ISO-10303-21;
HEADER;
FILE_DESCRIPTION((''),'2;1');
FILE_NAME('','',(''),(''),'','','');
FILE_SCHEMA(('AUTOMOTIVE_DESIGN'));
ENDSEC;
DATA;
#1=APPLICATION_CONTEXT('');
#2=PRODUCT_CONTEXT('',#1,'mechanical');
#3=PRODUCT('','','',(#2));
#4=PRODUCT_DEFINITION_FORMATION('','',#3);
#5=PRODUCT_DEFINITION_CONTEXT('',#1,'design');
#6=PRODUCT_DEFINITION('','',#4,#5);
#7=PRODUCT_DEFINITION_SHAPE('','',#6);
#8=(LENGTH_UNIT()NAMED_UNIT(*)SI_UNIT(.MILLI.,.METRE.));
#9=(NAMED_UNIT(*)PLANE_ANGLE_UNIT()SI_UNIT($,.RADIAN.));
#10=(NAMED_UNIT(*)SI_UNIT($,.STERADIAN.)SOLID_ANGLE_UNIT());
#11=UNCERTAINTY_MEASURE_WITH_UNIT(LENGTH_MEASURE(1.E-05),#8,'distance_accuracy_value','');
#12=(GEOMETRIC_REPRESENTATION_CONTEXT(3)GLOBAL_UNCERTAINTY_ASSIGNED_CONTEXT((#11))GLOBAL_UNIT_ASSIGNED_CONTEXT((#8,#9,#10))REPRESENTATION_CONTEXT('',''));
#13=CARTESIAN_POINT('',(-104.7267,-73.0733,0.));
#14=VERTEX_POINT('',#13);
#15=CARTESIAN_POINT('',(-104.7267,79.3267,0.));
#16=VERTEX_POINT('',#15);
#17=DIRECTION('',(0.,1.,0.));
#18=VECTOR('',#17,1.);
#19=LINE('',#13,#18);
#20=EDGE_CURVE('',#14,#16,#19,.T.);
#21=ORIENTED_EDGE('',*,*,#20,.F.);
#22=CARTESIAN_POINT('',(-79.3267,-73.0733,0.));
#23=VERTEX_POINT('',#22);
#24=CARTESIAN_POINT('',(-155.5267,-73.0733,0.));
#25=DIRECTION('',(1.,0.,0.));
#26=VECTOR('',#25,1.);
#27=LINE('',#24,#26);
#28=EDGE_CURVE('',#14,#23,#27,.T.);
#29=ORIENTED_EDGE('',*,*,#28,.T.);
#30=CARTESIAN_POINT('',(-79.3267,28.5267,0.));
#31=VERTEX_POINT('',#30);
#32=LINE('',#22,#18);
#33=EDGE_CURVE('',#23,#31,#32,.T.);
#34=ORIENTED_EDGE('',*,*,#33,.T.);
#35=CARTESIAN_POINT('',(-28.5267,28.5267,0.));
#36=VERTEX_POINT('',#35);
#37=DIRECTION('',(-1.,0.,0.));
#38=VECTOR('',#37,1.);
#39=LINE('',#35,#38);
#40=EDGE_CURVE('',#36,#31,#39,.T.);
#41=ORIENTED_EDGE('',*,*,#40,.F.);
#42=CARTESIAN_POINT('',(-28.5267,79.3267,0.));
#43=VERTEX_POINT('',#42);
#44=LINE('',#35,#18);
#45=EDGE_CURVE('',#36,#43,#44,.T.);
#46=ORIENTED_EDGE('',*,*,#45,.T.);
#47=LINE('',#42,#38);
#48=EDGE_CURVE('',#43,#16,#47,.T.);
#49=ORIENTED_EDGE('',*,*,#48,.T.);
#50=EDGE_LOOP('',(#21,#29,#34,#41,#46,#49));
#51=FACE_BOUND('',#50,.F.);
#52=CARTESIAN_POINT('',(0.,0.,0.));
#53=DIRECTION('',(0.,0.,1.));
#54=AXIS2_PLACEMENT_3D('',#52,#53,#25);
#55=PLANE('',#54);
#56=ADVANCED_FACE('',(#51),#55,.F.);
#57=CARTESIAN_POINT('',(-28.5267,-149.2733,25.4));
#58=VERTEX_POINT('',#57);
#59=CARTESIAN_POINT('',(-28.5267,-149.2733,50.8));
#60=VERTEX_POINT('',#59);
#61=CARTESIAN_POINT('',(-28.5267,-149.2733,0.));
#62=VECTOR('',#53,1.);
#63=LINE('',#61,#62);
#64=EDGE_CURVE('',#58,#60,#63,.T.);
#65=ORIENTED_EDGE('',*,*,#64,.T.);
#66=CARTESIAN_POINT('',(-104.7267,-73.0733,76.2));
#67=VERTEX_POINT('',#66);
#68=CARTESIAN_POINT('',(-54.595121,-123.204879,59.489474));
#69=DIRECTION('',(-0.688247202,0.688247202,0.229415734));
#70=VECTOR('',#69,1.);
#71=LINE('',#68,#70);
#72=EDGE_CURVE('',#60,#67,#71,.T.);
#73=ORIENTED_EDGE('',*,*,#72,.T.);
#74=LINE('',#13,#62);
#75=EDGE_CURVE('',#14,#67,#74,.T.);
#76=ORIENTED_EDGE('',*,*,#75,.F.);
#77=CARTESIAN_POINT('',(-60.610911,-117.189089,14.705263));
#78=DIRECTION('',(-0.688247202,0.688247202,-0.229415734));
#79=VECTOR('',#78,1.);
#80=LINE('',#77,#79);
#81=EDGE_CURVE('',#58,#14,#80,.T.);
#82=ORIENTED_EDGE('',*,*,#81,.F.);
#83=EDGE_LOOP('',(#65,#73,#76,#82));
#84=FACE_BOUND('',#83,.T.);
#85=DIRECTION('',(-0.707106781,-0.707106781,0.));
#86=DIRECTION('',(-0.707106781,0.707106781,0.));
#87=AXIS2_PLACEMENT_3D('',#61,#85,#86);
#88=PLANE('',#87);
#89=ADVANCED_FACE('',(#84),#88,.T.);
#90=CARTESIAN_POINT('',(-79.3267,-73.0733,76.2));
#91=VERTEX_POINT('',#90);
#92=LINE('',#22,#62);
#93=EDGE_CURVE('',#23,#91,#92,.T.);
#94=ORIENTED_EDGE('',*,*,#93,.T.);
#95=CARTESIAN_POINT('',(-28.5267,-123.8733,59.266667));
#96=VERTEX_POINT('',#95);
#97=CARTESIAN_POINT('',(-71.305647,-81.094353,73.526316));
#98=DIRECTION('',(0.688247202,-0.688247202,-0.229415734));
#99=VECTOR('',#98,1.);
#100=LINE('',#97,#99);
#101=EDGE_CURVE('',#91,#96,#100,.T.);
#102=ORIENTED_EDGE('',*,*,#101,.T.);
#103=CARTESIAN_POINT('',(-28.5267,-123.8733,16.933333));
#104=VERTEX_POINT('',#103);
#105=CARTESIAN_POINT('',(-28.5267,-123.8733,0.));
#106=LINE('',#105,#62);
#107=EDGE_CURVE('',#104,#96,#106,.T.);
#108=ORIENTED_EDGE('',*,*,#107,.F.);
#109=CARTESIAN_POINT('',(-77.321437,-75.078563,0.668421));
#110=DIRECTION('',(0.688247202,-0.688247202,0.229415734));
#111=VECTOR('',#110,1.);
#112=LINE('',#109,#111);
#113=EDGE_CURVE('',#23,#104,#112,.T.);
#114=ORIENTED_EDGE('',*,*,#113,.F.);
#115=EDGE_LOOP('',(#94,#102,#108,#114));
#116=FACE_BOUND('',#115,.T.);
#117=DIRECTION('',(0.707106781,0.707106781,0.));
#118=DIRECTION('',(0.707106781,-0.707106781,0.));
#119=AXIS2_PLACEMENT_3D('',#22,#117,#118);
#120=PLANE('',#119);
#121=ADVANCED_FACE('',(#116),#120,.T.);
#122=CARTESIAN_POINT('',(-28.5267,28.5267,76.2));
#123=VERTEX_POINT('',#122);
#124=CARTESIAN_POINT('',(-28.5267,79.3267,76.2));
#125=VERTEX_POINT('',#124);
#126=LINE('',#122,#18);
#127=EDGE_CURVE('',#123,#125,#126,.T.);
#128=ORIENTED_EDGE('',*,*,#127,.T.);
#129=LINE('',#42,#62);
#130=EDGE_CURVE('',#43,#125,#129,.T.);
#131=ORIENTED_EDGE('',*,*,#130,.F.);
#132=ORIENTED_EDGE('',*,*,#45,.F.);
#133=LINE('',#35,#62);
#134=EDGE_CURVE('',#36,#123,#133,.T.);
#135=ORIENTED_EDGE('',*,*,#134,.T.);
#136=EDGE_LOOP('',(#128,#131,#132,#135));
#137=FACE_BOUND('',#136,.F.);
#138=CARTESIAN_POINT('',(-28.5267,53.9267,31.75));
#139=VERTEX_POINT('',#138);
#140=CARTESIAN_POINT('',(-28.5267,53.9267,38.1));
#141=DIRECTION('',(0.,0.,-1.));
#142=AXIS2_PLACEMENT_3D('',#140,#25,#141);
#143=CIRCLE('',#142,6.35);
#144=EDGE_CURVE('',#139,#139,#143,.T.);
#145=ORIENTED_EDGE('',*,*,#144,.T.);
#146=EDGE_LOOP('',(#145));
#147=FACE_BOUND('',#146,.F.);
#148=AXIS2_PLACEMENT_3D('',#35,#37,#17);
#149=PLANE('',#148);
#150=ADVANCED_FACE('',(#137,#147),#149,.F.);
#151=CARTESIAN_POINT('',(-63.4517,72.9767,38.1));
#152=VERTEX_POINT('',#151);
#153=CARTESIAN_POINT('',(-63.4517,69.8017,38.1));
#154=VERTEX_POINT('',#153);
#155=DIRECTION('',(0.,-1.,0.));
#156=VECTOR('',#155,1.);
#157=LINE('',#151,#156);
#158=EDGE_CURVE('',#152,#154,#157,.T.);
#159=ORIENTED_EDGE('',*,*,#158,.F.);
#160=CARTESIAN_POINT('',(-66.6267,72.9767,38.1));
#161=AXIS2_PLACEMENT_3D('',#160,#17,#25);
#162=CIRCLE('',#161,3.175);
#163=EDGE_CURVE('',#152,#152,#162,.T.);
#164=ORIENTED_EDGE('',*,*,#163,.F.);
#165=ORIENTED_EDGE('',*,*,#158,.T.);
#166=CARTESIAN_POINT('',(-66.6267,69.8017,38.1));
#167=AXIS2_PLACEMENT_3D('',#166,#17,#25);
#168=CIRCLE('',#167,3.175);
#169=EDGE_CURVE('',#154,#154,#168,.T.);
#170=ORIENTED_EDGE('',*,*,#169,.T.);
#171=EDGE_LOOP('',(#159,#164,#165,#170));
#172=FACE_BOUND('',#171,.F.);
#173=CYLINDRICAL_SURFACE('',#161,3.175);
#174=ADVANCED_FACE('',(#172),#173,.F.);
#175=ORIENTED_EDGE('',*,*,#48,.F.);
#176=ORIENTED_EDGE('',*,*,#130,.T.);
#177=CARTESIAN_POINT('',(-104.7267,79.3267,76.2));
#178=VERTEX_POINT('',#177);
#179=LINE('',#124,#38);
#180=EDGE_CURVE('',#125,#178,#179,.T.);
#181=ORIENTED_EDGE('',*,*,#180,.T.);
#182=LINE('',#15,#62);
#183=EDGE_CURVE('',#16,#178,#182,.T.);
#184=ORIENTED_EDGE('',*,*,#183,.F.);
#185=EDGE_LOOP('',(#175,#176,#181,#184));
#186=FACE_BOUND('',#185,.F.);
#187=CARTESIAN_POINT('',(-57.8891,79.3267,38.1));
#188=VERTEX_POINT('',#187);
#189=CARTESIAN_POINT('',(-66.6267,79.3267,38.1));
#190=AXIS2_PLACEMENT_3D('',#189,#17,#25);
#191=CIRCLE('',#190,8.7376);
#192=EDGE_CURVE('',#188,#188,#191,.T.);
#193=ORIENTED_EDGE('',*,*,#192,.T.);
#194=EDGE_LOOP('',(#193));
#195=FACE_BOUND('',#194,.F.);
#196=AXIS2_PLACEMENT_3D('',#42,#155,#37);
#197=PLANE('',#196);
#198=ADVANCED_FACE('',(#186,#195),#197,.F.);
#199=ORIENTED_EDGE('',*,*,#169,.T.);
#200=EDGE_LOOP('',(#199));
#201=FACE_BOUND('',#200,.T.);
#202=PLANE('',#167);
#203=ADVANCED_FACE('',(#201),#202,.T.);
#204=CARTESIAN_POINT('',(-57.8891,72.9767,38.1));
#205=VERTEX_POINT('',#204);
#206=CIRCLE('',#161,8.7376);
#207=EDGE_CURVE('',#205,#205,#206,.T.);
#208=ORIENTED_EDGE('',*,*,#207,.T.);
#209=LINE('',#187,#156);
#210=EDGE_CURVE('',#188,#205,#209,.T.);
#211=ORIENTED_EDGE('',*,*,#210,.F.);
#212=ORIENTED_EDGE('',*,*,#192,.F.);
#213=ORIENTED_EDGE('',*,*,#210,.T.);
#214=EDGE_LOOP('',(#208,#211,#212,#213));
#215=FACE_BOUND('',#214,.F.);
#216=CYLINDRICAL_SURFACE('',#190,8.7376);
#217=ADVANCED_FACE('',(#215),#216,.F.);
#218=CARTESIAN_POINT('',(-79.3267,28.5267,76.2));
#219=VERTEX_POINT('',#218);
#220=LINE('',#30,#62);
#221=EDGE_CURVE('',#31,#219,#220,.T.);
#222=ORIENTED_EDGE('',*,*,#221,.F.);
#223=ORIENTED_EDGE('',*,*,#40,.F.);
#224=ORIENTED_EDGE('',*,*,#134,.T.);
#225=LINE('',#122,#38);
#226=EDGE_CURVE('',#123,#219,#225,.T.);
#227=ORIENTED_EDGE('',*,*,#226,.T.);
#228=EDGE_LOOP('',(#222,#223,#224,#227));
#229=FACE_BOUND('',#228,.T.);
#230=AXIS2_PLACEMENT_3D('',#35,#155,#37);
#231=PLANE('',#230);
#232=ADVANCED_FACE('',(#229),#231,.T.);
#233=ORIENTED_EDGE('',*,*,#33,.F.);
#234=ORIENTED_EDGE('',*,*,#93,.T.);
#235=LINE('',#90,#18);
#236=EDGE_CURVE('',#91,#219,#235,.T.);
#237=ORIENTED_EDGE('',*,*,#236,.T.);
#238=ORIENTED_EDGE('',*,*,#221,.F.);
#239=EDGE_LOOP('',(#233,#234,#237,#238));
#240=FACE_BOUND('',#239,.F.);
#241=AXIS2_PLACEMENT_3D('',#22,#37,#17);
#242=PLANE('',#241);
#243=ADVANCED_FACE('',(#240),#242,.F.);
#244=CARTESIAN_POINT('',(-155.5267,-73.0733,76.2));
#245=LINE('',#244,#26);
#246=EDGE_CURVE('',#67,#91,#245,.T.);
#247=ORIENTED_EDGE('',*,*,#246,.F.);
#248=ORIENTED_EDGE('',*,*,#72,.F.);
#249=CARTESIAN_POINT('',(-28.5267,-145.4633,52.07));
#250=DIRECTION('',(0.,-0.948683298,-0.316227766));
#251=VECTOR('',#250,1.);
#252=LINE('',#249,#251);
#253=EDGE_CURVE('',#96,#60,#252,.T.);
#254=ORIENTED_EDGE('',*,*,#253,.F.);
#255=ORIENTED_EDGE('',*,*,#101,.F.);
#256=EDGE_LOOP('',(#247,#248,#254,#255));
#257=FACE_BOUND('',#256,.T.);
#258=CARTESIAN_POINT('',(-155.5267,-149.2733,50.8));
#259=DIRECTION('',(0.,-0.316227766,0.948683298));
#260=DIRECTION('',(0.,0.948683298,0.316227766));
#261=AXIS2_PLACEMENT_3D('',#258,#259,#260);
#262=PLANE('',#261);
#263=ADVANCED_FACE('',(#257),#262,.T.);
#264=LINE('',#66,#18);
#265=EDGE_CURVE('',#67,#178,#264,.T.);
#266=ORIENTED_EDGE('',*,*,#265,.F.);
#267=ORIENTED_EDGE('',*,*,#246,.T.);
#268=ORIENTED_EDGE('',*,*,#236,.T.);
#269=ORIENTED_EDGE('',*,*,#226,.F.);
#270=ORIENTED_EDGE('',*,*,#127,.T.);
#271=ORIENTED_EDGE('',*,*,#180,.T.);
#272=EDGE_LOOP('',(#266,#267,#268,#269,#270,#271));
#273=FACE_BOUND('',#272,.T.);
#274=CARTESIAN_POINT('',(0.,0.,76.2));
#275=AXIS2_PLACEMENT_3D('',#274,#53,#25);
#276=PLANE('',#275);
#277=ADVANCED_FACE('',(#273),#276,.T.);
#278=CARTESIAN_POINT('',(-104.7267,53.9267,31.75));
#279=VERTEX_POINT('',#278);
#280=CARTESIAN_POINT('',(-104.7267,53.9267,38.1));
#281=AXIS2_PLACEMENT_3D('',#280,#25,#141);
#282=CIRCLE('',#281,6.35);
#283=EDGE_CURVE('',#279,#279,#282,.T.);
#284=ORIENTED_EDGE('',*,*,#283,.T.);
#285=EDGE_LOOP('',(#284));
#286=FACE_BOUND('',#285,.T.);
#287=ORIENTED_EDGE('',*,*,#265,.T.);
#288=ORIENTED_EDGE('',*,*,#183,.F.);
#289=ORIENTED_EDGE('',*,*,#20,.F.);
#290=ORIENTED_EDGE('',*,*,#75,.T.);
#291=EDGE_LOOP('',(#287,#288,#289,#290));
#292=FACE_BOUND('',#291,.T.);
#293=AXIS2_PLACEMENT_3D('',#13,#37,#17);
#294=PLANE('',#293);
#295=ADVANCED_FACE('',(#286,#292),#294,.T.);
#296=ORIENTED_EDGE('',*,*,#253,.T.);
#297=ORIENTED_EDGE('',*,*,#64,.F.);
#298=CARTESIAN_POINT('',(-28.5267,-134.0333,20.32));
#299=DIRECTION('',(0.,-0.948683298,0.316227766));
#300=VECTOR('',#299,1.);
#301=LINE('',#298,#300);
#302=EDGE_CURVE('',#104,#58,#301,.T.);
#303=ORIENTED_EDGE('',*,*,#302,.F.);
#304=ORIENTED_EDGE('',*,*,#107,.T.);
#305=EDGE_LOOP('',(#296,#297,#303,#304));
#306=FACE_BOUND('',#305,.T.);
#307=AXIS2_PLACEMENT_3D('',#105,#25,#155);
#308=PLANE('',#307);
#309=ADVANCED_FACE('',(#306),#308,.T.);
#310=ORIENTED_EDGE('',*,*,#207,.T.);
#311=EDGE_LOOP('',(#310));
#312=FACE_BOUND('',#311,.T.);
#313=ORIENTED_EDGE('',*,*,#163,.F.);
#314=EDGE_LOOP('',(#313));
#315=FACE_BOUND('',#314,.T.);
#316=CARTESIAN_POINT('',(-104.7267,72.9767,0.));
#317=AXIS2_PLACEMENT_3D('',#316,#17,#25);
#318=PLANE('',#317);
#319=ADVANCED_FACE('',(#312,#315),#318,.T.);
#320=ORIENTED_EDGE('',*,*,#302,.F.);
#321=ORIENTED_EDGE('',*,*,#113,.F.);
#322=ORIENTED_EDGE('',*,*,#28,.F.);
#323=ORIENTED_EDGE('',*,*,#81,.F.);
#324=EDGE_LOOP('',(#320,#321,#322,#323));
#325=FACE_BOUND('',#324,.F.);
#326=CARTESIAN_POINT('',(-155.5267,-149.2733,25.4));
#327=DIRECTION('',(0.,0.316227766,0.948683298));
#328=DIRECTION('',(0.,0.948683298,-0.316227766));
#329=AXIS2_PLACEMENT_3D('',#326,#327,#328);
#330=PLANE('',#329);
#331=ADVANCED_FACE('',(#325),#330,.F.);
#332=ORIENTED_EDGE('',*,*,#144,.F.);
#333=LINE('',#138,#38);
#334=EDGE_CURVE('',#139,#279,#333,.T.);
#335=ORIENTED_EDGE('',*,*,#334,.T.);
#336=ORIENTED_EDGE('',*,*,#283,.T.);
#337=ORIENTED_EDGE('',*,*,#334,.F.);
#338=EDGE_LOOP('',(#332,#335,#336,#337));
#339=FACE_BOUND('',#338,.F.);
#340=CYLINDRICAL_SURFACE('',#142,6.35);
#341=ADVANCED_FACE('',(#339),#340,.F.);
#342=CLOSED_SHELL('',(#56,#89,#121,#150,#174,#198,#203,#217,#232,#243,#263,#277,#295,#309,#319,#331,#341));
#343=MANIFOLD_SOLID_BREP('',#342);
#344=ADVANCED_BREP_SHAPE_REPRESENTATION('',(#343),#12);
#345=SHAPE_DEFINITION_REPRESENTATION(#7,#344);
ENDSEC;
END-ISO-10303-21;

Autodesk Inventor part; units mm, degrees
ref_plane "YZ Plane" through (0, 0, 0) normal (1, 0, 0) x (0, 1, 0)
ref_plane "XZ Plane" through (0, 0, 0) normal (0, 1, 0) x (-1, 0, 0)
sketch "Sketch1" plane through (0, 0, 0) normal (0, 0, 1) x (1, 0, 0)
  line L0 (0, 0) -> (-28.5267, 28.5267) construction
  line L1 (-28.5267, 28.5267) -> (-79.3267, 28.5267)
  line L2 (-79.3267, -73.0733) -> (-28.5267, -123.8733)
  line L3 (-28.5267, -123.8733) -> (-28.5267, -149.2733)
  line L4 (-28.5267, -149.2733) -> (-104.7267, -73.0733)
  line L5 (-104.7267, -73.0733) -> (-104.7267, 79.3267)
  line L6 (-79.3267, -73.0733) -> (-79.3267, 28.5267)
  line L7 (-28.5267, 28.5267) -> (-28.5267, 79.3267)
  line L8 (-28.5267, 79.3267) -> (-104.7267, 79.3267)
  point P0 (-28.5267, 153.9136)
  dimension "d11" = 101.6
  dimension "d12" = 50.8
  dimension "d13" = 25.4
  dimension "d17" = 28.5267
  dimension "d18" = 50.8
  dimension "d23" = 135
  dimension "d24" = 17.9605
  dimension "d25" = 50.8
  dimension "d26" = 152.4
extrude "Extrusion1" add sketch "Sketch1" along normal blind 76.2
ref_plane "Work Plane1" through (-155.5267, -73.0733, 0) normal (-1, 0, 0) x (0, 0, 1)
sketch "Sketch2" plane through (-155.5267, -73.0733, 0) normal (-1, 0, 0) x (0, 0, 1)
  line L0 (0, -76.2) -> (76.2, -76.2) projected
  line L1 (76.2, -76.2) -> (50.8, -76.2)
  line L2 (76.2, 0) -> (76.2, 101.6) projected
  line L3 (50.8, -76.2) -> (76.2, 0)
  line L4 (76.2, 0) -> (76.2, -76.2)
  line L5 (0, 0) -> (0, -76.2) projected
  line L6 (0, -76.2) -> (25.4, -76.2)
  line L7 (25.4, -76.2) -> (0, 0)
  line L8 (0, 0) -> (0, -76.2)
  point P0 (0, 73.0733)
  dimension "d28" = 25.4
  dimension "d29" = 25.4
extrude "Extrusion2" cut sketch "Sketch2" against normal blind 177.8
sketch "Sketch3" plane through (-104.7267, 79.3267, 0) normal (0, 1, 0) x (1, 0, 0)
  circle A0 centre (38.1, -38.1) radius 8.7376
  line L0 (76.2, 0) -> (0, 0) projected
  line L1 (76.2, 0) -> (76.2, -76.2) projected
  point P0 (104.7267, 0)
  dimension "d32" = 38.1
  dimension "d33" = 38.1
  dimension "d34" = 17.4752
extrude "Extrusion3" cut sketch "Sketch3" against normal blind 6.35
sketch "Sketch4" plane through (-28.5267, 28.5267, 0) normal (1, 0, 0) x (0, 0, -1)
  circle A0 centre (-38.1, 25.4) radius 6.35
  line L0 (0, 0) -> (0, 50.8) projected
  line L1 (0, 0) -> (-76.2, 0) projected
  point P0 (0, -28.5267)
  point P1 (-38.1, 0)
  dimension "d39" = 12.7
  dimension "d40" = 38.1
  dimension "d41" = 25.4
extrude "Extrusion4" cut sketch "Sketch4" against normal blind 153.9875
sketch "Sketch5" plane through (-66.6267, 72.9767, 38.1) normal (0, 1, 0) x (1, 0, 0)
  circle A0 centre (0, 0) radius 3.175
  point P0 (66.6267, 38.1)
  dimension "d44" = 6.35
extrude "Extrusion5" cut sketch "Sketch5" against normal blind 3.175
properties part number "Claw_Finger_BR" material "PET Plastic"
